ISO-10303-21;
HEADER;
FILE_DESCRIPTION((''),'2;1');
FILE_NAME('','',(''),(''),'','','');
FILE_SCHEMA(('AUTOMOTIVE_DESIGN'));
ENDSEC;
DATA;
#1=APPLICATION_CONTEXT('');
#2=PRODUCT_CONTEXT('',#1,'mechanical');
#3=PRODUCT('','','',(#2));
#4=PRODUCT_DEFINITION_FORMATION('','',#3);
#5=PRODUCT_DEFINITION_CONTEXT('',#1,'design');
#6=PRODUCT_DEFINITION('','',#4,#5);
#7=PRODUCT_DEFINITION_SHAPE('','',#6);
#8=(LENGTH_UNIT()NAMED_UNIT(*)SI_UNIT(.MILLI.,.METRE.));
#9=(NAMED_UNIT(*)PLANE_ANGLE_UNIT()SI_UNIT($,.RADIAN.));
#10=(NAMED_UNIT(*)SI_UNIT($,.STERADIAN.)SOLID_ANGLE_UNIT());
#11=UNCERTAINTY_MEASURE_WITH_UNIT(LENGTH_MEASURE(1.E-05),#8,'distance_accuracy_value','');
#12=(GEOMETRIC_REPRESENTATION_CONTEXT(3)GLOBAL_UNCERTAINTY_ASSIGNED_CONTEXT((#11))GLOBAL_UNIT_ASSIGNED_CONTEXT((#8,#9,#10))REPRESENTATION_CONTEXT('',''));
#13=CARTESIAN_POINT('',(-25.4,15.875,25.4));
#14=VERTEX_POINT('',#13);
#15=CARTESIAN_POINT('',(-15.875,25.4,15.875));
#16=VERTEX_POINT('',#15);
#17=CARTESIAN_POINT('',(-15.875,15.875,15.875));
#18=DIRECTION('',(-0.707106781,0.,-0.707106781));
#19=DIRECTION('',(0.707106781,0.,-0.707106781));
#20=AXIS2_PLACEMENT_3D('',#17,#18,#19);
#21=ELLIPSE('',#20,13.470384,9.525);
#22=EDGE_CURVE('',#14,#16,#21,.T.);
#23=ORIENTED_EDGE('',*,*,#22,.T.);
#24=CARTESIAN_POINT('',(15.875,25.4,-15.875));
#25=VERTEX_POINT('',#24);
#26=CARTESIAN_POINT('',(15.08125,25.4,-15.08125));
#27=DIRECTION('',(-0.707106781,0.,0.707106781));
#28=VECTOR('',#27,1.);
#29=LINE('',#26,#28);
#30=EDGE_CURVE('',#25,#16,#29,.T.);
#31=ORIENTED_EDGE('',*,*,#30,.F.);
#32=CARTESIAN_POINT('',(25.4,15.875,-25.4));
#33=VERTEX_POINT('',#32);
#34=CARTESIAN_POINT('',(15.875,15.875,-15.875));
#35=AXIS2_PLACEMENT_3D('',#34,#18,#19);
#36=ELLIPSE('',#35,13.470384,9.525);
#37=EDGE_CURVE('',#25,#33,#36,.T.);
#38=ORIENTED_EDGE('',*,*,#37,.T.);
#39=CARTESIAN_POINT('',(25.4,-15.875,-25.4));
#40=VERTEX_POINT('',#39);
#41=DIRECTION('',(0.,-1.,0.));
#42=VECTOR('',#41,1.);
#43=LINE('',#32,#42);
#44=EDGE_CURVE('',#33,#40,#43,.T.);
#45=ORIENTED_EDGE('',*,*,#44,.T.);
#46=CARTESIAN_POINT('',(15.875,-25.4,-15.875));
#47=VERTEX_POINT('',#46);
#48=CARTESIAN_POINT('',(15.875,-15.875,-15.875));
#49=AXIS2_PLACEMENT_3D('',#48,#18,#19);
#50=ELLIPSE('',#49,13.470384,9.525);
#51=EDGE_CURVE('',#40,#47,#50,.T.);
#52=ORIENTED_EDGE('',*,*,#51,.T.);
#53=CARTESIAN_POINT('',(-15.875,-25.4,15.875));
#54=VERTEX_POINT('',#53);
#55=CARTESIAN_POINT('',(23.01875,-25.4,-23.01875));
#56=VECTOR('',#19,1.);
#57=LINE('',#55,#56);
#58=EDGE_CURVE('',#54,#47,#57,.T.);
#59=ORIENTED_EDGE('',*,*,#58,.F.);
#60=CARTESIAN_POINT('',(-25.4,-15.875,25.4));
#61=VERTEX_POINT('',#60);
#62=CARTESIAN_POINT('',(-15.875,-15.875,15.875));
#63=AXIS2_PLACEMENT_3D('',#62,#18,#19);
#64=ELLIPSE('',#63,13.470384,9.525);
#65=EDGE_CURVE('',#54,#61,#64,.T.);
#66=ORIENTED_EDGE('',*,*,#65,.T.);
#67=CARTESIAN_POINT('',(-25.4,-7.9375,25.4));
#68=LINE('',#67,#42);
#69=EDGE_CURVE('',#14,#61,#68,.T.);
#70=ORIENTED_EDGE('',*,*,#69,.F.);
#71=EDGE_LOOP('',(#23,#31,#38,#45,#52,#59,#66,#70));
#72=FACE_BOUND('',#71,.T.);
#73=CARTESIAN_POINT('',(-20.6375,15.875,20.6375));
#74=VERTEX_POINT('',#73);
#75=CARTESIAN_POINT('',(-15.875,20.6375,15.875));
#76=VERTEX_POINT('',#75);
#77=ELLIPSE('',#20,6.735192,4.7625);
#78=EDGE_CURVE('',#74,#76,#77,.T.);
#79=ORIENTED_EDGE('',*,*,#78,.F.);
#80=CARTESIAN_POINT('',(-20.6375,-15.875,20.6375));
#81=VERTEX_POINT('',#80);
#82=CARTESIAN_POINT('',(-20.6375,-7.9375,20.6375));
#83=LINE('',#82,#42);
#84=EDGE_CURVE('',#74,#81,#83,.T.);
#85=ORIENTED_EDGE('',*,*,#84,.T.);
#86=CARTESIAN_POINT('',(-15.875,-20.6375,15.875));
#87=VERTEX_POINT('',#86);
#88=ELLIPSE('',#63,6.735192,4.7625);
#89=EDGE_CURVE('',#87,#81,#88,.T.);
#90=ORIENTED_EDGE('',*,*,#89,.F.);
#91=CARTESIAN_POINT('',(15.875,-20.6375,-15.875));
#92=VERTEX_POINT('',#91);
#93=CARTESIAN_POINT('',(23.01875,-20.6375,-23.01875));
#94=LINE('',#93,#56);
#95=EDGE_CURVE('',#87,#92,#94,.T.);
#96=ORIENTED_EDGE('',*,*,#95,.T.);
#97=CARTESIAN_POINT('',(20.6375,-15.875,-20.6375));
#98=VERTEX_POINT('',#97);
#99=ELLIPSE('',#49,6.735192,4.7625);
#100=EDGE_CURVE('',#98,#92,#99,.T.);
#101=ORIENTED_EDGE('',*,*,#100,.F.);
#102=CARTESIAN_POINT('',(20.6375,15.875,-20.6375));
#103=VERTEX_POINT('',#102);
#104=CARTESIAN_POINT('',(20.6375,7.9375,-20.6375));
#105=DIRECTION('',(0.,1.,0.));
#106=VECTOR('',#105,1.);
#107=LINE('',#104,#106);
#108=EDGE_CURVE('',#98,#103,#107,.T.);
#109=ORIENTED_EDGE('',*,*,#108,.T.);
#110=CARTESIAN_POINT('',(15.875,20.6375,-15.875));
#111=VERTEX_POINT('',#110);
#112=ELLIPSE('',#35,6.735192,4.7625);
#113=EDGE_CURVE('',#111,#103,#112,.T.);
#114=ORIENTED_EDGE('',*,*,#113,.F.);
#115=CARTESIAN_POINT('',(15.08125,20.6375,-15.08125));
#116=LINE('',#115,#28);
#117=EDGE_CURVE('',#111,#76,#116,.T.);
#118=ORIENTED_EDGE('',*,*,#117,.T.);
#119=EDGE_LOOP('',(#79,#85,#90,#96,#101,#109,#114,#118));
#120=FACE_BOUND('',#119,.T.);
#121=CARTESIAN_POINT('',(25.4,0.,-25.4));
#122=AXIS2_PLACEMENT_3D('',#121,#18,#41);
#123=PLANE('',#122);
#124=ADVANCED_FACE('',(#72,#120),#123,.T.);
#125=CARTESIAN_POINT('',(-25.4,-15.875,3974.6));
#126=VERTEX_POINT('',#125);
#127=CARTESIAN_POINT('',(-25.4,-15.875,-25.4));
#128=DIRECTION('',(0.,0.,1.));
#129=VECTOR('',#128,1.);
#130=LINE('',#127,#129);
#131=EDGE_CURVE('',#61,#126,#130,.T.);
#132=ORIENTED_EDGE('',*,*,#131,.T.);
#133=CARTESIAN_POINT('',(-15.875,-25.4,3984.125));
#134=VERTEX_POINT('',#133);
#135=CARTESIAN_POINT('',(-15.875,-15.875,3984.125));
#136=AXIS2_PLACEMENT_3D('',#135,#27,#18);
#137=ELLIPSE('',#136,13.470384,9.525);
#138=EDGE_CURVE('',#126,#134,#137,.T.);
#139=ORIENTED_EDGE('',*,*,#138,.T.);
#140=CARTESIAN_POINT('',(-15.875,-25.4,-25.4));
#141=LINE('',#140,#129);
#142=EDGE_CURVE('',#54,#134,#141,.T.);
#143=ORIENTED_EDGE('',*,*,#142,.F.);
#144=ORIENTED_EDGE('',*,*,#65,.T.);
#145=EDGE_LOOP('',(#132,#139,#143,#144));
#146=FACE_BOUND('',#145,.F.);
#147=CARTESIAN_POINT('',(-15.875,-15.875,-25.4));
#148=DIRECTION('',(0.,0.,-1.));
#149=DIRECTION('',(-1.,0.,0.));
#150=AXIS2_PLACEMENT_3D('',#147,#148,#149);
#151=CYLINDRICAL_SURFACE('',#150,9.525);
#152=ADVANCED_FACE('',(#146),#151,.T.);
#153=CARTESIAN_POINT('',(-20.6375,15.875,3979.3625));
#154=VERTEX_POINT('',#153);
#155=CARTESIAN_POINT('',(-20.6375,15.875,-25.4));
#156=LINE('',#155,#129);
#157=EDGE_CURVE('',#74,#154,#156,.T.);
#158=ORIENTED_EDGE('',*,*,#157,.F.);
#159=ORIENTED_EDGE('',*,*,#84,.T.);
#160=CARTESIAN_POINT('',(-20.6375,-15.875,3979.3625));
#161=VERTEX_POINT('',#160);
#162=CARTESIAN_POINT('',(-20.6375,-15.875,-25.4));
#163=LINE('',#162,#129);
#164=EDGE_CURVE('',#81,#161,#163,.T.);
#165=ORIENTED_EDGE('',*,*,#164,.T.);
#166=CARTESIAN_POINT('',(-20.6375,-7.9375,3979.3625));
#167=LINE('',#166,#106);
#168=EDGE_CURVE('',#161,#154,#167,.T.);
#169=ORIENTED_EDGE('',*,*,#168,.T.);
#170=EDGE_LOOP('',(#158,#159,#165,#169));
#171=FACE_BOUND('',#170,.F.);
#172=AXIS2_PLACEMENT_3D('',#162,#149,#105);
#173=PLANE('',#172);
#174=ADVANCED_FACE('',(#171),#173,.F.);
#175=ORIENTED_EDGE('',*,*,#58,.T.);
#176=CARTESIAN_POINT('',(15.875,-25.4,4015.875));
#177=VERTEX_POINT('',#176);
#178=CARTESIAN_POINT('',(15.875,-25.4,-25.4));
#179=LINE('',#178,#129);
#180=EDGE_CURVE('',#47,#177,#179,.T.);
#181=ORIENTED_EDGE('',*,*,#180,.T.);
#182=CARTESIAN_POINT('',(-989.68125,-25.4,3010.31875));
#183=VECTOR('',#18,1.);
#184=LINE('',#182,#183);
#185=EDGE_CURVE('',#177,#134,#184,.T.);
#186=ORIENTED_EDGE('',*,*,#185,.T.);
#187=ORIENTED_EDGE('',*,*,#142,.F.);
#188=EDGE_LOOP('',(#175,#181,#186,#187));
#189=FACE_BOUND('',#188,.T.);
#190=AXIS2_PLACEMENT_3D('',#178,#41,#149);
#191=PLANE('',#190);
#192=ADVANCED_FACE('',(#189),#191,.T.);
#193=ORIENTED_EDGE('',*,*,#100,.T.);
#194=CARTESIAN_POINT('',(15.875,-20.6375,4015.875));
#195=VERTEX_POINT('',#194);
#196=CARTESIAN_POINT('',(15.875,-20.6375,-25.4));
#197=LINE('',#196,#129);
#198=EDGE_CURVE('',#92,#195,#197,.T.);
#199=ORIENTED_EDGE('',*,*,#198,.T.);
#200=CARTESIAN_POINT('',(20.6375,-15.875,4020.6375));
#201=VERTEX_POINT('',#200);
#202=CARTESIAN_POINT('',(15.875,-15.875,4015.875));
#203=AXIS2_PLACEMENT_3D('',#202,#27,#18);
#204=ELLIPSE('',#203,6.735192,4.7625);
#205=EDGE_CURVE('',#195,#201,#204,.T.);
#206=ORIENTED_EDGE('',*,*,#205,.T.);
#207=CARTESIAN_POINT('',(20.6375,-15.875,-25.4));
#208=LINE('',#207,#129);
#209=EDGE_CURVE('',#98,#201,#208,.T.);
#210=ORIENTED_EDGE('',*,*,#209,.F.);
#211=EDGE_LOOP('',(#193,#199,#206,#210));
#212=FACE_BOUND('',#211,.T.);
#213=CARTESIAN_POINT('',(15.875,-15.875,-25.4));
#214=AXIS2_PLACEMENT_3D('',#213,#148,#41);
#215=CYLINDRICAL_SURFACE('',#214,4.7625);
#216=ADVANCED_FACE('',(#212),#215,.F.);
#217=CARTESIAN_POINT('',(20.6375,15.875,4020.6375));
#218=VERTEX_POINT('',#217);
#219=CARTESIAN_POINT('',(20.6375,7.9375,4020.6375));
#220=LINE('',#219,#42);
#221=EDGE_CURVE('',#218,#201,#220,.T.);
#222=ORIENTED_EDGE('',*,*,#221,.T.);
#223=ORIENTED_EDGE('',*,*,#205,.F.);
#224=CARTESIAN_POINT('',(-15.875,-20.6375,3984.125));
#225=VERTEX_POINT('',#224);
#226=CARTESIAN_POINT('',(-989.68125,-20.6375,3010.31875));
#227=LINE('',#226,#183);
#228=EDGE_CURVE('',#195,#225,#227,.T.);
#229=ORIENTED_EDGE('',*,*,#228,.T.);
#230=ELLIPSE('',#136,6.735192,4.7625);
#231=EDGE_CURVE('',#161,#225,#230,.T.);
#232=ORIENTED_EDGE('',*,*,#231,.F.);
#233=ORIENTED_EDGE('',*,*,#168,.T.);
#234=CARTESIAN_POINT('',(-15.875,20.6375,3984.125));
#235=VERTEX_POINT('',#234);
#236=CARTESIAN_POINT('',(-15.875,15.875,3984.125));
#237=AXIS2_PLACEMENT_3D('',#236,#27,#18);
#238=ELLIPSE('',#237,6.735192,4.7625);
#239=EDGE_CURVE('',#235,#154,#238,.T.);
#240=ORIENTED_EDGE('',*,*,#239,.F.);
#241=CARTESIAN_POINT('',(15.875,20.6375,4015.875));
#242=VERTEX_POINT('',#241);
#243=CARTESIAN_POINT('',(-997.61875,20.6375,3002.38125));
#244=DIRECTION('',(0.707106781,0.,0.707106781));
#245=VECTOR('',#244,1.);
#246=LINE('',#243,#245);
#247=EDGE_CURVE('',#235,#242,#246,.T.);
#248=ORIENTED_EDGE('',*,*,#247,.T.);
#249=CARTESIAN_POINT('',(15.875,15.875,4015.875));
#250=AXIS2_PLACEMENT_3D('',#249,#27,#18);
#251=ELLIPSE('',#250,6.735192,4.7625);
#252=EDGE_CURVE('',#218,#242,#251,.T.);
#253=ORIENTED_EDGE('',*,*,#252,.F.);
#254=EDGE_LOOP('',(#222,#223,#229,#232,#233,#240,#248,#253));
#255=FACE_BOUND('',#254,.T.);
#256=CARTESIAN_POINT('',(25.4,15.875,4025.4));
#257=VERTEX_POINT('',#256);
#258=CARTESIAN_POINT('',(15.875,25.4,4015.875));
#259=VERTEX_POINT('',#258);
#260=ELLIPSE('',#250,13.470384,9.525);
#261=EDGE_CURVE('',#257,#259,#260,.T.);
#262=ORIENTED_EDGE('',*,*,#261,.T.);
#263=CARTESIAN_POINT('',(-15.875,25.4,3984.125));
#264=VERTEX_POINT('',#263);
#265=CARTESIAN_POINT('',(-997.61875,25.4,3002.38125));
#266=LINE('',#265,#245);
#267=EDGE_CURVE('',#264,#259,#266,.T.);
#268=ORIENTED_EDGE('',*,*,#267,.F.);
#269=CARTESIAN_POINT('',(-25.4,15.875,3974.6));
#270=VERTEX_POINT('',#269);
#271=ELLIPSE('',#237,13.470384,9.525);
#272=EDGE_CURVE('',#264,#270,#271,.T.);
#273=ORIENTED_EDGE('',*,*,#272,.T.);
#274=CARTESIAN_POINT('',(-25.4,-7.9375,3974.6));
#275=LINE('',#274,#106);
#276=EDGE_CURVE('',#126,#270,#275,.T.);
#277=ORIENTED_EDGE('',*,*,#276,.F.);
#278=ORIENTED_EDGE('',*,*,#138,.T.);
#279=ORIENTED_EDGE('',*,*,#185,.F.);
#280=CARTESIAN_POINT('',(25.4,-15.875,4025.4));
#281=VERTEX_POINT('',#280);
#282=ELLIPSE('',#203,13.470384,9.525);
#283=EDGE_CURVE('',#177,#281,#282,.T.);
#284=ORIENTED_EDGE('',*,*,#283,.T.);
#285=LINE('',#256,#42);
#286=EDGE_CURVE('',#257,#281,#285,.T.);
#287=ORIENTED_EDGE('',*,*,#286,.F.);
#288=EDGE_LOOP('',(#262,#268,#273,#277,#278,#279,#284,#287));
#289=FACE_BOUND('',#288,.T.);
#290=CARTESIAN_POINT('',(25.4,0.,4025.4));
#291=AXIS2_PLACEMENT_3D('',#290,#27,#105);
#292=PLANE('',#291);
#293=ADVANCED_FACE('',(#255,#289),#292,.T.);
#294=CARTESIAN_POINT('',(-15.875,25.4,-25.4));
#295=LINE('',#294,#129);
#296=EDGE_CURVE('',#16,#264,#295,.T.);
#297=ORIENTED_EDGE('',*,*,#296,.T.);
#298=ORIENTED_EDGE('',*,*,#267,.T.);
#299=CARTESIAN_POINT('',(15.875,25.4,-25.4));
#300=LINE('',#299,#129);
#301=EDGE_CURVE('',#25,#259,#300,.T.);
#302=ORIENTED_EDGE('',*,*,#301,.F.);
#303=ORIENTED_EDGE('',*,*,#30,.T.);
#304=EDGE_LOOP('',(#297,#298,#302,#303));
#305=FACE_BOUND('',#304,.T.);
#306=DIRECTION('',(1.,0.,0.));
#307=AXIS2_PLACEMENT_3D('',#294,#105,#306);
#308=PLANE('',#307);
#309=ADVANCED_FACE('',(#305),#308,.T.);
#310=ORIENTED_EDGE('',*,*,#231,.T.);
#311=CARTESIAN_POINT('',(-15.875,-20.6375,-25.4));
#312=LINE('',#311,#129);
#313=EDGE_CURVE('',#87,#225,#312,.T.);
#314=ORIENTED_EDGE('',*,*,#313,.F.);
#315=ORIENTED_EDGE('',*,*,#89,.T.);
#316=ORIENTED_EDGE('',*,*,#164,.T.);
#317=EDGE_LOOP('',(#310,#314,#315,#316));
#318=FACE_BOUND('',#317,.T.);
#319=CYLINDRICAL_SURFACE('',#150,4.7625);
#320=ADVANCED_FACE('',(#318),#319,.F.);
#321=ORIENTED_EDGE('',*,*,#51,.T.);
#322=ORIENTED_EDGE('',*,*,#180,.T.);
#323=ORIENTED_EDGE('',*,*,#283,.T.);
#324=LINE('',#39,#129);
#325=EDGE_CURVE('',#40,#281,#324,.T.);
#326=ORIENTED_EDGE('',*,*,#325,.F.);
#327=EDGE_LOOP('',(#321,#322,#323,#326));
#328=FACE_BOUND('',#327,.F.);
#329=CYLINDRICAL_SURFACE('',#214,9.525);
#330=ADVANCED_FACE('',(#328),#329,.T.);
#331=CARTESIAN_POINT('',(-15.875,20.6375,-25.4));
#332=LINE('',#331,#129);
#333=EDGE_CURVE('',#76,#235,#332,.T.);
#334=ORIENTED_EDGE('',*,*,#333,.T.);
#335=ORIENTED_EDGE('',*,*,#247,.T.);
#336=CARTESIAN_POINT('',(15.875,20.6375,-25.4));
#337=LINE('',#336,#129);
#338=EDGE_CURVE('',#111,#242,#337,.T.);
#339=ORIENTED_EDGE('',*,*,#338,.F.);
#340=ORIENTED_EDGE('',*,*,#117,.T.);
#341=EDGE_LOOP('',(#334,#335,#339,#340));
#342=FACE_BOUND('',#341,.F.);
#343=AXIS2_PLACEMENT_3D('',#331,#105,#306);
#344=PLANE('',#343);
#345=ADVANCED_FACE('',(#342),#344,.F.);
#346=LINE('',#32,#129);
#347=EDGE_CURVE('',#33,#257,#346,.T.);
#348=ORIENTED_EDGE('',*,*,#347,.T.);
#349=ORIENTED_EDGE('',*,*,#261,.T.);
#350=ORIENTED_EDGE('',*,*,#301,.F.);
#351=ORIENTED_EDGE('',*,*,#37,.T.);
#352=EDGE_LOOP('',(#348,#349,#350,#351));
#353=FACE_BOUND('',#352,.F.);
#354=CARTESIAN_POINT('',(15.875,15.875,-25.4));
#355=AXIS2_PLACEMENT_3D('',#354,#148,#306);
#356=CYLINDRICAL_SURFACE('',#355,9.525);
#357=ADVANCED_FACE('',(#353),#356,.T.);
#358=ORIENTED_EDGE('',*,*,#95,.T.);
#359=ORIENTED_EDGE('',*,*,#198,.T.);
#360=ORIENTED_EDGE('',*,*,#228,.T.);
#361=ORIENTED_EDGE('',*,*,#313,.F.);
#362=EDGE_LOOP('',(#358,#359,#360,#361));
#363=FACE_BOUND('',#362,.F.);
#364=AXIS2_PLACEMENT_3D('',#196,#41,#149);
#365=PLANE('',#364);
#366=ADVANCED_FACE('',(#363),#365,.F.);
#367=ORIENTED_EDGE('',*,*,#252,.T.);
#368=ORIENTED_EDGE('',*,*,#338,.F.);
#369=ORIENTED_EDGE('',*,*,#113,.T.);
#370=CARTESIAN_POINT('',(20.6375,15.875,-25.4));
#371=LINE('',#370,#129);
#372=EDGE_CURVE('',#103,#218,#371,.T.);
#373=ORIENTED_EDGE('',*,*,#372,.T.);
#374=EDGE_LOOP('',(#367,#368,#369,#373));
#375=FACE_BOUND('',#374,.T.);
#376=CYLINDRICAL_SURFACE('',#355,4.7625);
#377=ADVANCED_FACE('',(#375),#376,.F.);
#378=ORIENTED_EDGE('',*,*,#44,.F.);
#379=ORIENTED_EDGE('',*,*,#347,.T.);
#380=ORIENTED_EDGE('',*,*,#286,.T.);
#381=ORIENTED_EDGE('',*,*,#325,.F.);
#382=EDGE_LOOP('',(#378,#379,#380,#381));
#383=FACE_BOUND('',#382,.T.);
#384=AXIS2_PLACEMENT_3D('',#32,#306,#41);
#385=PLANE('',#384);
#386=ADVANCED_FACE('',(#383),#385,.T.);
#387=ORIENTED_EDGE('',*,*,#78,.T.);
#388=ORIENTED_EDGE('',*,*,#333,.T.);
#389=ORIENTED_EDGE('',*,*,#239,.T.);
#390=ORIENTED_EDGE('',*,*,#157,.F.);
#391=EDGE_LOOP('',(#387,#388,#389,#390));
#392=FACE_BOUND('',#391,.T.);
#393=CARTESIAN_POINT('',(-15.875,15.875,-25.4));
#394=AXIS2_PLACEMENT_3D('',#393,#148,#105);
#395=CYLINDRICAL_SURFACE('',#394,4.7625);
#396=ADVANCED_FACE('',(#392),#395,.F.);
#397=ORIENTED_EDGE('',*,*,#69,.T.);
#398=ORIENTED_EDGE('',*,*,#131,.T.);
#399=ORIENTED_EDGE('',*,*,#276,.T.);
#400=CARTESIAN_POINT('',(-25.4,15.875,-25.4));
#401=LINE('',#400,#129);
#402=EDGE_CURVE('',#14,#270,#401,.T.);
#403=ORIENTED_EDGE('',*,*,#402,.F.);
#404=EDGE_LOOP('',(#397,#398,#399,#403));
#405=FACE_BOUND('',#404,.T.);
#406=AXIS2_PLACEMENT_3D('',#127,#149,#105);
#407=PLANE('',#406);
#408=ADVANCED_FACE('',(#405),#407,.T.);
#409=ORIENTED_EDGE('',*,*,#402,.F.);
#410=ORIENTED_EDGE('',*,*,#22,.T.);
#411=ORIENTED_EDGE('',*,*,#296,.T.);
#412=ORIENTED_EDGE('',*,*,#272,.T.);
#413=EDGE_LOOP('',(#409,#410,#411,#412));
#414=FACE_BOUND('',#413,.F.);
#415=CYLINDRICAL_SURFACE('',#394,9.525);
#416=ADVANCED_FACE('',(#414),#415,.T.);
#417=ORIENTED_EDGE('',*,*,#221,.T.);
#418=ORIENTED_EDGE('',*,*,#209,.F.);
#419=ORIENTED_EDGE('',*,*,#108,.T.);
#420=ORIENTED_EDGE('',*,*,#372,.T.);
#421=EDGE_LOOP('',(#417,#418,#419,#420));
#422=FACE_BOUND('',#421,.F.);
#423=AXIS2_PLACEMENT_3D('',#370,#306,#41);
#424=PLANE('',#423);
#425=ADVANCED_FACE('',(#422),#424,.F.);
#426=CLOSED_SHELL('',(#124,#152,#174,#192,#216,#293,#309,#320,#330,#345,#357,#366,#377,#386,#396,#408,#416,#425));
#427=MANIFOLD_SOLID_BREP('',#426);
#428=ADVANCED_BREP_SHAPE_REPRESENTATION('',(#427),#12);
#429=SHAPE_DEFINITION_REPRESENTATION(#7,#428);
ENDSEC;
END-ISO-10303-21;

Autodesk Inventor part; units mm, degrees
ref_plane "Plano inicial" through (0, 0, -25.4) normal (0, 0, 1) x (1, 0, 0)
ref_plane "Plano final" through (0, 0, 4025.4) normal (0, 0, 1) x (1, 0, 0)
sketch "Esboço" plane through (0, 0, 0) normal (0, 0, 1) x (1, 0, 0)
  line L0 (-25.4, -15.875) -> (-25.4, 15.875)
  line L1 (-15.875, 25.4) -> (15.875, 25.4)
  line L2 (25.4, 15.875) -> (25.4, -15.875)
  line L3 (15.875, -25.4) -> (-15.875, -25.4)
  arc A0 (-25.4, -15.875) -> (-15.875, -25.4) centre (-15.875, -15.875) ccw
  arc A1 (-15.875, 25.4) -> (-25.4, 15.875) centre (-15.875, 15.875) ccw
  arc A2 (25.4, 15.875) -> (15.875, 25.4) centre (15.875, 15.875) ccw
  arc A3 (15.875, -25.4) -> (25.4, -15.875) centre (15.875, -15.875) ccw
  arc A4 (-15.875, 20.6375) -> (-20.6375, 15.875) centre (-15.875, 15.875) ccw
  line L4 (-15.875, 20.6375) -> (15.875, 20.6375)
  arc A5 (20.6375, 15.875) -> (15.875, 20.6375) centre (15.875, 15.875) ccw
  line L5 (20.6375, 15.875) -> (20.6375, -15.875)
  arc A6 (15.875, -20.6375) -> (20.6375, -15.875) centre (15.875, -15.875) ccw
  line L6 (15.875, -20.6375) -> (-15.875, -20.6375)
  arc A7 (-20.6375, -15.875) -> (-15.875, -20.6375) centre (-15.875, -15.875) ccw
  line L7 (-20.6375, -15.875) -> (-20.6375, 15.875)
  line L8 (0, 38.3218) -> (0, -38.3218) construction
  line L9 (-38.3218, 0) -> (38.3218, 0) construction
  dimension "d10" = 50.8
  dimension "d11" = 50.8
  dimension "d12" = 4.7625
  dimension "d15" = 25.4
  dimension "d16" = 25.4
  dimension "d17" = 9.525
extrude "Corpo" add sketch "Esboço" along normal up to surface (4050.8 mm away) from surface at -25.4
sketch "Sketch3" plane through (0, 0, 0) normal (0, 0, 1) x (1, 0, 0)
  line L0 (0, 0) -> (10, 0)
ref_plane "Work Plane3" through (0, 0, 0) normal (0, -1, 0) x (1, 0, 0)
sketch "Sketch4" plane through (0, 0, 0) normal (0, -1, 0) x (1, 0, 0)
  line L0 (-2, -25.4) -> (12, -25.4)
  line L1 (-2, 4025.4) -> (12, 4025.4)
  dimension "d19" = 4050.8
ref_plane "Plano de trabalho4" through (25.4, 0, -25.4) normal (-0.7071, 0, -0.7071) x (-0.7071, 0, 0.7071)
split "Dividir1" plane through (25.4, 0, -25.4) removes the side toward (-0.7071, 0, -0.7071)
ref_plane "Plano de trabalho5" through (25.4, 0, 4025.4) normal (-0.7071, 0, 0.7071) x (0.7071, 0, 0.7071)
split "Dividir2" plane through (25.4, 0, 4025.4) removes the side toward (-0.7071, 0, 0.7071)
equation "\"d10\" = G_H"
equation "\"d11\" = G_W"
equation "\"d12\" = G_T"
equation "\"d15\" = 0.5 * d10"
equation "\"d16\" = 0.5 * d11"
equation "\"d17\" = G_IR"
equation "\"d3\" = G_L"
equation "\"G_W\" = 50.8"
equation "\"G_H\" = 50.8"
equation "\"G_T\" = 4.7625"
equation "\"G_IR\" = 9.525"
equation "\"G_L\" = d19"
equation "\"G_OFFSET_START\" = 25.4"
equation "\"G_OFFSET_END\" = 25.4"
equation "\"d13\" = -G_OFFSET_START"
equation "\"d14\" = G_OFFSET_END + B_L"
equation "\"B_L\" = 4000"
properties part number "AISC - 2 x 2 x 3/16 - 159,48" material "Aço, suave"
